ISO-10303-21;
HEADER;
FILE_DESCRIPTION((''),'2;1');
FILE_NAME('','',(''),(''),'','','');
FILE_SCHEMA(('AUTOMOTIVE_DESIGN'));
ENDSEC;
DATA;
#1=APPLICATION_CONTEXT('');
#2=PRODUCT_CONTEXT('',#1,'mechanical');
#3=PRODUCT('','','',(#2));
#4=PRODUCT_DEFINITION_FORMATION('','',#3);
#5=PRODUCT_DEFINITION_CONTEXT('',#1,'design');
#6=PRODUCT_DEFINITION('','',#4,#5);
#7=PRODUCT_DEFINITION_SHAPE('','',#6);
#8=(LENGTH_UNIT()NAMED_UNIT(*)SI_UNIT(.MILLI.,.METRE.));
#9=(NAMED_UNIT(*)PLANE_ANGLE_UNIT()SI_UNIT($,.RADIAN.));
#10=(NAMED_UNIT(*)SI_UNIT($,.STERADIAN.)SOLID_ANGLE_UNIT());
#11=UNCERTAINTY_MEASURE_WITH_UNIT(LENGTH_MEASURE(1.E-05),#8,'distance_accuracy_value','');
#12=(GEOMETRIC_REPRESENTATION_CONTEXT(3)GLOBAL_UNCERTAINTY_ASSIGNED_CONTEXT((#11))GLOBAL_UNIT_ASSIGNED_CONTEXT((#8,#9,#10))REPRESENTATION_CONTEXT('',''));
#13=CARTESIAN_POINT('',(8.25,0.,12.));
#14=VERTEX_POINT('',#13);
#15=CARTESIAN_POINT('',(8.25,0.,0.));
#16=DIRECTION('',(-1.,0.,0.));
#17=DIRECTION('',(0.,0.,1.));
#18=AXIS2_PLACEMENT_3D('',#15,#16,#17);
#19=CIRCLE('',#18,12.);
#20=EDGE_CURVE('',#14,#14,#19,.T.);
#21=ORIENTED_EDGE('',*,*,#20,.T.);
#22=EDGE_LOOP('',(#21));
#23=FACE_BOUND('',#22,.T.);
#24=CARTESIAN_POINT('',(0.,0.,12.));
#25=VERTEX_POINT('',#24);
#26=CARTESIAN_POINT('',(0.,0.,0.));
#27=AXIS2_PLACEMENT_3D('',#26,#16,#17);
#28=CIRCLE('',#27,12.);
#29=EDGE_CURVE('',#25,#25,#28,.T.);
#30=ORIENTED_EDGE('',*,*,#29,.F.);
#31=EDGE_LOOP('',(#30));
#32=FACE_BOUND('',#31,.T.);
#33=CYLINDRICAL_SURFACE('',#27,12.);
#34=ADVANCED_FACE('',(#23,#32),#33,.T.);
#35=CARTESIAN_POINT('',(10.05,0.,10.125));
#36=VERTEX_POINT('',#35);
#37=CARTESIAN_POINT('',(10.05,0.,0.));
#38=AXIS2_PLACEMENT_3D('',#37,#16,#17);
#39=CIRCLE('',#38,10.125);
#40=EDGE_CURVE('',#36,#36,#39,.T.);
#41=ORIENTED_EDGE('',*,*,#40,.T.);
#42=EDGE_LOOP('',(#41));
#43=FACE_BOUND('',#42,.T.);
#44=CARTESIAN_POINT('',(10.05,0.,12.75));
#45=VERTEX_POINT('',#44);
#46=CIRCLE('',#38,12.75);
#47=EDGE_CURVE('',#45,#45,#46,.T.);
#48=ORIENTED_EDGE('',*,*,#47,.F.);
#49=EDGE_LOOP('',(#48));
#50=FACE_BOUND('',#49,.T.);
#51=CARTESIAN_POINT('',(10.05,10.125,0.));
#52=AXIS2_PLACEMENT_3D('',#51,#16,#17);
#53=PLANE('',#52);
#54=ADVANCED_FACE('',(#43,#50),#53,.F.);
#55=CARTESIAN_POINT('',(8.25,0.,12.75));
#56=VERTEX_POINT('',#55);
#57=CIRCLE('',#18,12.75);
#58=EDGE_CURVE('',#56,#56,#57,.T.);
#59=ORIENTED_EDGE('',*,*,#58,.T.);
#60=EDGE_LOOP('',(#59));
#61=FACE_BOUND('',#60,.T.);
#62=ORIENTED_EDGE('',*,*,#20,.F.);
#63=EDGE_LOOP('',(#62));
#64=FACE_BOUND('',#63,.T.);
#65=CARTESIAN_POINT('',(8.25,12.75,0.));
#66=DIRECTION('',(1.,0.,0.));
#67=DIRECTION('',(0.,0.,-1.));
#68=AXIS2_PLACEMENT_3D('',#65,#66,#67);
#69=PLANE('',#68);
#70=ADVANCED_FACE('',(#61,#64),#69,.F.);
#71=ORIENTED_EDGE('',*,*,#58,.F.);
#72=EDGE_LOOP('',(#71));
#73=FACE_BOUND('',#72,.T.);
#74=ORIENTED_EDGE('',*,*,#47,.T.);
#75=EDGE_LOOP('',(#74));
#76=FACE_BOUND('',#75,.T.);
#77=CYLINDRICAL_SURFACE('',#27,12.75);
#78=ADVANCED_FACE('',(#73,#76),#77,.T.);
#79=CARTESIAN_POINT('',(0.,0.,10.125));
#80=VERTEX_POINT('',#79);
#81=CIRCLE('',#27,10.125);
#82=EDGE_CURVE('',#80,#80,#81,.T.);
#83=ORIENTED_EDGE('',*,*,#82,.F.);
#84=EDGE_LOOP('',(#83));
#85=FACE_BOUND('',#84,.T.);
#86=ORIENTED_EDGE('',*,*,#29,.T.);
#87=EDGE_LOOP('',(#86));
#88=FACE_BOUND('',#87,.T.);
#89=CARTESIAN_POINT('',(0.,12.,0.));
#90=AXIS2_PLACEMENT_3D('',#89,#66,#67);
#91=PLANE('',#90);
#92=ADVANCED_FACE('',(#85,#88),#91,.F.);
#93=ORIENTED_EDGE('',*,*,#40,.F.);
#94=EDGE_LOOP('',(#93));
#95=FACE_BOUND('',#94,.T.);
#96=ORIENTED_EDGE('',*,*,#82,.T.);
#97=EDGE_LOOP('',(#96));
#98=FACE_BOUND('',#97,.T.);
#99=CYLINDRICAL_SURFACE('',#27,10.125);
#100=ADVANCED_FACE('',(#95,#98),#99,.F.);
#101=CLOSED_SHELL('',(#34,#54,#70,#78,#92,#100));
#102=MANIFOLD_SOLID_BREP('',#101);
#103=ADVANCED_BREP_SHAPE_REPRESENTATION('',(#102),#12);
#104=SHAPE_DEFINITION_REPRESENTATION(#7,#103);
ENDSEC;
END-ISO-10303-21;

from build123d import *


with BuildPart() as part:
    # Esquisse1 → Révolution1 (revolve)
    with BuildSketch(Plane.XY, mode=Mode.PRIVATE) as r_volution1_sk:
        Polygon((0, 10.125), (10.05, 10.125), (10.05, 12.75), (8.25, 12.75), (8.25, 12), (0, 12), align=None)
    revolve(r_volution1_sk.sketch.rotate(Axis((0, 0, 0), (1, 0, 0)), 90), axis=Axis((0, 0, 0), (1, 0, 0)))


solid = part.part
